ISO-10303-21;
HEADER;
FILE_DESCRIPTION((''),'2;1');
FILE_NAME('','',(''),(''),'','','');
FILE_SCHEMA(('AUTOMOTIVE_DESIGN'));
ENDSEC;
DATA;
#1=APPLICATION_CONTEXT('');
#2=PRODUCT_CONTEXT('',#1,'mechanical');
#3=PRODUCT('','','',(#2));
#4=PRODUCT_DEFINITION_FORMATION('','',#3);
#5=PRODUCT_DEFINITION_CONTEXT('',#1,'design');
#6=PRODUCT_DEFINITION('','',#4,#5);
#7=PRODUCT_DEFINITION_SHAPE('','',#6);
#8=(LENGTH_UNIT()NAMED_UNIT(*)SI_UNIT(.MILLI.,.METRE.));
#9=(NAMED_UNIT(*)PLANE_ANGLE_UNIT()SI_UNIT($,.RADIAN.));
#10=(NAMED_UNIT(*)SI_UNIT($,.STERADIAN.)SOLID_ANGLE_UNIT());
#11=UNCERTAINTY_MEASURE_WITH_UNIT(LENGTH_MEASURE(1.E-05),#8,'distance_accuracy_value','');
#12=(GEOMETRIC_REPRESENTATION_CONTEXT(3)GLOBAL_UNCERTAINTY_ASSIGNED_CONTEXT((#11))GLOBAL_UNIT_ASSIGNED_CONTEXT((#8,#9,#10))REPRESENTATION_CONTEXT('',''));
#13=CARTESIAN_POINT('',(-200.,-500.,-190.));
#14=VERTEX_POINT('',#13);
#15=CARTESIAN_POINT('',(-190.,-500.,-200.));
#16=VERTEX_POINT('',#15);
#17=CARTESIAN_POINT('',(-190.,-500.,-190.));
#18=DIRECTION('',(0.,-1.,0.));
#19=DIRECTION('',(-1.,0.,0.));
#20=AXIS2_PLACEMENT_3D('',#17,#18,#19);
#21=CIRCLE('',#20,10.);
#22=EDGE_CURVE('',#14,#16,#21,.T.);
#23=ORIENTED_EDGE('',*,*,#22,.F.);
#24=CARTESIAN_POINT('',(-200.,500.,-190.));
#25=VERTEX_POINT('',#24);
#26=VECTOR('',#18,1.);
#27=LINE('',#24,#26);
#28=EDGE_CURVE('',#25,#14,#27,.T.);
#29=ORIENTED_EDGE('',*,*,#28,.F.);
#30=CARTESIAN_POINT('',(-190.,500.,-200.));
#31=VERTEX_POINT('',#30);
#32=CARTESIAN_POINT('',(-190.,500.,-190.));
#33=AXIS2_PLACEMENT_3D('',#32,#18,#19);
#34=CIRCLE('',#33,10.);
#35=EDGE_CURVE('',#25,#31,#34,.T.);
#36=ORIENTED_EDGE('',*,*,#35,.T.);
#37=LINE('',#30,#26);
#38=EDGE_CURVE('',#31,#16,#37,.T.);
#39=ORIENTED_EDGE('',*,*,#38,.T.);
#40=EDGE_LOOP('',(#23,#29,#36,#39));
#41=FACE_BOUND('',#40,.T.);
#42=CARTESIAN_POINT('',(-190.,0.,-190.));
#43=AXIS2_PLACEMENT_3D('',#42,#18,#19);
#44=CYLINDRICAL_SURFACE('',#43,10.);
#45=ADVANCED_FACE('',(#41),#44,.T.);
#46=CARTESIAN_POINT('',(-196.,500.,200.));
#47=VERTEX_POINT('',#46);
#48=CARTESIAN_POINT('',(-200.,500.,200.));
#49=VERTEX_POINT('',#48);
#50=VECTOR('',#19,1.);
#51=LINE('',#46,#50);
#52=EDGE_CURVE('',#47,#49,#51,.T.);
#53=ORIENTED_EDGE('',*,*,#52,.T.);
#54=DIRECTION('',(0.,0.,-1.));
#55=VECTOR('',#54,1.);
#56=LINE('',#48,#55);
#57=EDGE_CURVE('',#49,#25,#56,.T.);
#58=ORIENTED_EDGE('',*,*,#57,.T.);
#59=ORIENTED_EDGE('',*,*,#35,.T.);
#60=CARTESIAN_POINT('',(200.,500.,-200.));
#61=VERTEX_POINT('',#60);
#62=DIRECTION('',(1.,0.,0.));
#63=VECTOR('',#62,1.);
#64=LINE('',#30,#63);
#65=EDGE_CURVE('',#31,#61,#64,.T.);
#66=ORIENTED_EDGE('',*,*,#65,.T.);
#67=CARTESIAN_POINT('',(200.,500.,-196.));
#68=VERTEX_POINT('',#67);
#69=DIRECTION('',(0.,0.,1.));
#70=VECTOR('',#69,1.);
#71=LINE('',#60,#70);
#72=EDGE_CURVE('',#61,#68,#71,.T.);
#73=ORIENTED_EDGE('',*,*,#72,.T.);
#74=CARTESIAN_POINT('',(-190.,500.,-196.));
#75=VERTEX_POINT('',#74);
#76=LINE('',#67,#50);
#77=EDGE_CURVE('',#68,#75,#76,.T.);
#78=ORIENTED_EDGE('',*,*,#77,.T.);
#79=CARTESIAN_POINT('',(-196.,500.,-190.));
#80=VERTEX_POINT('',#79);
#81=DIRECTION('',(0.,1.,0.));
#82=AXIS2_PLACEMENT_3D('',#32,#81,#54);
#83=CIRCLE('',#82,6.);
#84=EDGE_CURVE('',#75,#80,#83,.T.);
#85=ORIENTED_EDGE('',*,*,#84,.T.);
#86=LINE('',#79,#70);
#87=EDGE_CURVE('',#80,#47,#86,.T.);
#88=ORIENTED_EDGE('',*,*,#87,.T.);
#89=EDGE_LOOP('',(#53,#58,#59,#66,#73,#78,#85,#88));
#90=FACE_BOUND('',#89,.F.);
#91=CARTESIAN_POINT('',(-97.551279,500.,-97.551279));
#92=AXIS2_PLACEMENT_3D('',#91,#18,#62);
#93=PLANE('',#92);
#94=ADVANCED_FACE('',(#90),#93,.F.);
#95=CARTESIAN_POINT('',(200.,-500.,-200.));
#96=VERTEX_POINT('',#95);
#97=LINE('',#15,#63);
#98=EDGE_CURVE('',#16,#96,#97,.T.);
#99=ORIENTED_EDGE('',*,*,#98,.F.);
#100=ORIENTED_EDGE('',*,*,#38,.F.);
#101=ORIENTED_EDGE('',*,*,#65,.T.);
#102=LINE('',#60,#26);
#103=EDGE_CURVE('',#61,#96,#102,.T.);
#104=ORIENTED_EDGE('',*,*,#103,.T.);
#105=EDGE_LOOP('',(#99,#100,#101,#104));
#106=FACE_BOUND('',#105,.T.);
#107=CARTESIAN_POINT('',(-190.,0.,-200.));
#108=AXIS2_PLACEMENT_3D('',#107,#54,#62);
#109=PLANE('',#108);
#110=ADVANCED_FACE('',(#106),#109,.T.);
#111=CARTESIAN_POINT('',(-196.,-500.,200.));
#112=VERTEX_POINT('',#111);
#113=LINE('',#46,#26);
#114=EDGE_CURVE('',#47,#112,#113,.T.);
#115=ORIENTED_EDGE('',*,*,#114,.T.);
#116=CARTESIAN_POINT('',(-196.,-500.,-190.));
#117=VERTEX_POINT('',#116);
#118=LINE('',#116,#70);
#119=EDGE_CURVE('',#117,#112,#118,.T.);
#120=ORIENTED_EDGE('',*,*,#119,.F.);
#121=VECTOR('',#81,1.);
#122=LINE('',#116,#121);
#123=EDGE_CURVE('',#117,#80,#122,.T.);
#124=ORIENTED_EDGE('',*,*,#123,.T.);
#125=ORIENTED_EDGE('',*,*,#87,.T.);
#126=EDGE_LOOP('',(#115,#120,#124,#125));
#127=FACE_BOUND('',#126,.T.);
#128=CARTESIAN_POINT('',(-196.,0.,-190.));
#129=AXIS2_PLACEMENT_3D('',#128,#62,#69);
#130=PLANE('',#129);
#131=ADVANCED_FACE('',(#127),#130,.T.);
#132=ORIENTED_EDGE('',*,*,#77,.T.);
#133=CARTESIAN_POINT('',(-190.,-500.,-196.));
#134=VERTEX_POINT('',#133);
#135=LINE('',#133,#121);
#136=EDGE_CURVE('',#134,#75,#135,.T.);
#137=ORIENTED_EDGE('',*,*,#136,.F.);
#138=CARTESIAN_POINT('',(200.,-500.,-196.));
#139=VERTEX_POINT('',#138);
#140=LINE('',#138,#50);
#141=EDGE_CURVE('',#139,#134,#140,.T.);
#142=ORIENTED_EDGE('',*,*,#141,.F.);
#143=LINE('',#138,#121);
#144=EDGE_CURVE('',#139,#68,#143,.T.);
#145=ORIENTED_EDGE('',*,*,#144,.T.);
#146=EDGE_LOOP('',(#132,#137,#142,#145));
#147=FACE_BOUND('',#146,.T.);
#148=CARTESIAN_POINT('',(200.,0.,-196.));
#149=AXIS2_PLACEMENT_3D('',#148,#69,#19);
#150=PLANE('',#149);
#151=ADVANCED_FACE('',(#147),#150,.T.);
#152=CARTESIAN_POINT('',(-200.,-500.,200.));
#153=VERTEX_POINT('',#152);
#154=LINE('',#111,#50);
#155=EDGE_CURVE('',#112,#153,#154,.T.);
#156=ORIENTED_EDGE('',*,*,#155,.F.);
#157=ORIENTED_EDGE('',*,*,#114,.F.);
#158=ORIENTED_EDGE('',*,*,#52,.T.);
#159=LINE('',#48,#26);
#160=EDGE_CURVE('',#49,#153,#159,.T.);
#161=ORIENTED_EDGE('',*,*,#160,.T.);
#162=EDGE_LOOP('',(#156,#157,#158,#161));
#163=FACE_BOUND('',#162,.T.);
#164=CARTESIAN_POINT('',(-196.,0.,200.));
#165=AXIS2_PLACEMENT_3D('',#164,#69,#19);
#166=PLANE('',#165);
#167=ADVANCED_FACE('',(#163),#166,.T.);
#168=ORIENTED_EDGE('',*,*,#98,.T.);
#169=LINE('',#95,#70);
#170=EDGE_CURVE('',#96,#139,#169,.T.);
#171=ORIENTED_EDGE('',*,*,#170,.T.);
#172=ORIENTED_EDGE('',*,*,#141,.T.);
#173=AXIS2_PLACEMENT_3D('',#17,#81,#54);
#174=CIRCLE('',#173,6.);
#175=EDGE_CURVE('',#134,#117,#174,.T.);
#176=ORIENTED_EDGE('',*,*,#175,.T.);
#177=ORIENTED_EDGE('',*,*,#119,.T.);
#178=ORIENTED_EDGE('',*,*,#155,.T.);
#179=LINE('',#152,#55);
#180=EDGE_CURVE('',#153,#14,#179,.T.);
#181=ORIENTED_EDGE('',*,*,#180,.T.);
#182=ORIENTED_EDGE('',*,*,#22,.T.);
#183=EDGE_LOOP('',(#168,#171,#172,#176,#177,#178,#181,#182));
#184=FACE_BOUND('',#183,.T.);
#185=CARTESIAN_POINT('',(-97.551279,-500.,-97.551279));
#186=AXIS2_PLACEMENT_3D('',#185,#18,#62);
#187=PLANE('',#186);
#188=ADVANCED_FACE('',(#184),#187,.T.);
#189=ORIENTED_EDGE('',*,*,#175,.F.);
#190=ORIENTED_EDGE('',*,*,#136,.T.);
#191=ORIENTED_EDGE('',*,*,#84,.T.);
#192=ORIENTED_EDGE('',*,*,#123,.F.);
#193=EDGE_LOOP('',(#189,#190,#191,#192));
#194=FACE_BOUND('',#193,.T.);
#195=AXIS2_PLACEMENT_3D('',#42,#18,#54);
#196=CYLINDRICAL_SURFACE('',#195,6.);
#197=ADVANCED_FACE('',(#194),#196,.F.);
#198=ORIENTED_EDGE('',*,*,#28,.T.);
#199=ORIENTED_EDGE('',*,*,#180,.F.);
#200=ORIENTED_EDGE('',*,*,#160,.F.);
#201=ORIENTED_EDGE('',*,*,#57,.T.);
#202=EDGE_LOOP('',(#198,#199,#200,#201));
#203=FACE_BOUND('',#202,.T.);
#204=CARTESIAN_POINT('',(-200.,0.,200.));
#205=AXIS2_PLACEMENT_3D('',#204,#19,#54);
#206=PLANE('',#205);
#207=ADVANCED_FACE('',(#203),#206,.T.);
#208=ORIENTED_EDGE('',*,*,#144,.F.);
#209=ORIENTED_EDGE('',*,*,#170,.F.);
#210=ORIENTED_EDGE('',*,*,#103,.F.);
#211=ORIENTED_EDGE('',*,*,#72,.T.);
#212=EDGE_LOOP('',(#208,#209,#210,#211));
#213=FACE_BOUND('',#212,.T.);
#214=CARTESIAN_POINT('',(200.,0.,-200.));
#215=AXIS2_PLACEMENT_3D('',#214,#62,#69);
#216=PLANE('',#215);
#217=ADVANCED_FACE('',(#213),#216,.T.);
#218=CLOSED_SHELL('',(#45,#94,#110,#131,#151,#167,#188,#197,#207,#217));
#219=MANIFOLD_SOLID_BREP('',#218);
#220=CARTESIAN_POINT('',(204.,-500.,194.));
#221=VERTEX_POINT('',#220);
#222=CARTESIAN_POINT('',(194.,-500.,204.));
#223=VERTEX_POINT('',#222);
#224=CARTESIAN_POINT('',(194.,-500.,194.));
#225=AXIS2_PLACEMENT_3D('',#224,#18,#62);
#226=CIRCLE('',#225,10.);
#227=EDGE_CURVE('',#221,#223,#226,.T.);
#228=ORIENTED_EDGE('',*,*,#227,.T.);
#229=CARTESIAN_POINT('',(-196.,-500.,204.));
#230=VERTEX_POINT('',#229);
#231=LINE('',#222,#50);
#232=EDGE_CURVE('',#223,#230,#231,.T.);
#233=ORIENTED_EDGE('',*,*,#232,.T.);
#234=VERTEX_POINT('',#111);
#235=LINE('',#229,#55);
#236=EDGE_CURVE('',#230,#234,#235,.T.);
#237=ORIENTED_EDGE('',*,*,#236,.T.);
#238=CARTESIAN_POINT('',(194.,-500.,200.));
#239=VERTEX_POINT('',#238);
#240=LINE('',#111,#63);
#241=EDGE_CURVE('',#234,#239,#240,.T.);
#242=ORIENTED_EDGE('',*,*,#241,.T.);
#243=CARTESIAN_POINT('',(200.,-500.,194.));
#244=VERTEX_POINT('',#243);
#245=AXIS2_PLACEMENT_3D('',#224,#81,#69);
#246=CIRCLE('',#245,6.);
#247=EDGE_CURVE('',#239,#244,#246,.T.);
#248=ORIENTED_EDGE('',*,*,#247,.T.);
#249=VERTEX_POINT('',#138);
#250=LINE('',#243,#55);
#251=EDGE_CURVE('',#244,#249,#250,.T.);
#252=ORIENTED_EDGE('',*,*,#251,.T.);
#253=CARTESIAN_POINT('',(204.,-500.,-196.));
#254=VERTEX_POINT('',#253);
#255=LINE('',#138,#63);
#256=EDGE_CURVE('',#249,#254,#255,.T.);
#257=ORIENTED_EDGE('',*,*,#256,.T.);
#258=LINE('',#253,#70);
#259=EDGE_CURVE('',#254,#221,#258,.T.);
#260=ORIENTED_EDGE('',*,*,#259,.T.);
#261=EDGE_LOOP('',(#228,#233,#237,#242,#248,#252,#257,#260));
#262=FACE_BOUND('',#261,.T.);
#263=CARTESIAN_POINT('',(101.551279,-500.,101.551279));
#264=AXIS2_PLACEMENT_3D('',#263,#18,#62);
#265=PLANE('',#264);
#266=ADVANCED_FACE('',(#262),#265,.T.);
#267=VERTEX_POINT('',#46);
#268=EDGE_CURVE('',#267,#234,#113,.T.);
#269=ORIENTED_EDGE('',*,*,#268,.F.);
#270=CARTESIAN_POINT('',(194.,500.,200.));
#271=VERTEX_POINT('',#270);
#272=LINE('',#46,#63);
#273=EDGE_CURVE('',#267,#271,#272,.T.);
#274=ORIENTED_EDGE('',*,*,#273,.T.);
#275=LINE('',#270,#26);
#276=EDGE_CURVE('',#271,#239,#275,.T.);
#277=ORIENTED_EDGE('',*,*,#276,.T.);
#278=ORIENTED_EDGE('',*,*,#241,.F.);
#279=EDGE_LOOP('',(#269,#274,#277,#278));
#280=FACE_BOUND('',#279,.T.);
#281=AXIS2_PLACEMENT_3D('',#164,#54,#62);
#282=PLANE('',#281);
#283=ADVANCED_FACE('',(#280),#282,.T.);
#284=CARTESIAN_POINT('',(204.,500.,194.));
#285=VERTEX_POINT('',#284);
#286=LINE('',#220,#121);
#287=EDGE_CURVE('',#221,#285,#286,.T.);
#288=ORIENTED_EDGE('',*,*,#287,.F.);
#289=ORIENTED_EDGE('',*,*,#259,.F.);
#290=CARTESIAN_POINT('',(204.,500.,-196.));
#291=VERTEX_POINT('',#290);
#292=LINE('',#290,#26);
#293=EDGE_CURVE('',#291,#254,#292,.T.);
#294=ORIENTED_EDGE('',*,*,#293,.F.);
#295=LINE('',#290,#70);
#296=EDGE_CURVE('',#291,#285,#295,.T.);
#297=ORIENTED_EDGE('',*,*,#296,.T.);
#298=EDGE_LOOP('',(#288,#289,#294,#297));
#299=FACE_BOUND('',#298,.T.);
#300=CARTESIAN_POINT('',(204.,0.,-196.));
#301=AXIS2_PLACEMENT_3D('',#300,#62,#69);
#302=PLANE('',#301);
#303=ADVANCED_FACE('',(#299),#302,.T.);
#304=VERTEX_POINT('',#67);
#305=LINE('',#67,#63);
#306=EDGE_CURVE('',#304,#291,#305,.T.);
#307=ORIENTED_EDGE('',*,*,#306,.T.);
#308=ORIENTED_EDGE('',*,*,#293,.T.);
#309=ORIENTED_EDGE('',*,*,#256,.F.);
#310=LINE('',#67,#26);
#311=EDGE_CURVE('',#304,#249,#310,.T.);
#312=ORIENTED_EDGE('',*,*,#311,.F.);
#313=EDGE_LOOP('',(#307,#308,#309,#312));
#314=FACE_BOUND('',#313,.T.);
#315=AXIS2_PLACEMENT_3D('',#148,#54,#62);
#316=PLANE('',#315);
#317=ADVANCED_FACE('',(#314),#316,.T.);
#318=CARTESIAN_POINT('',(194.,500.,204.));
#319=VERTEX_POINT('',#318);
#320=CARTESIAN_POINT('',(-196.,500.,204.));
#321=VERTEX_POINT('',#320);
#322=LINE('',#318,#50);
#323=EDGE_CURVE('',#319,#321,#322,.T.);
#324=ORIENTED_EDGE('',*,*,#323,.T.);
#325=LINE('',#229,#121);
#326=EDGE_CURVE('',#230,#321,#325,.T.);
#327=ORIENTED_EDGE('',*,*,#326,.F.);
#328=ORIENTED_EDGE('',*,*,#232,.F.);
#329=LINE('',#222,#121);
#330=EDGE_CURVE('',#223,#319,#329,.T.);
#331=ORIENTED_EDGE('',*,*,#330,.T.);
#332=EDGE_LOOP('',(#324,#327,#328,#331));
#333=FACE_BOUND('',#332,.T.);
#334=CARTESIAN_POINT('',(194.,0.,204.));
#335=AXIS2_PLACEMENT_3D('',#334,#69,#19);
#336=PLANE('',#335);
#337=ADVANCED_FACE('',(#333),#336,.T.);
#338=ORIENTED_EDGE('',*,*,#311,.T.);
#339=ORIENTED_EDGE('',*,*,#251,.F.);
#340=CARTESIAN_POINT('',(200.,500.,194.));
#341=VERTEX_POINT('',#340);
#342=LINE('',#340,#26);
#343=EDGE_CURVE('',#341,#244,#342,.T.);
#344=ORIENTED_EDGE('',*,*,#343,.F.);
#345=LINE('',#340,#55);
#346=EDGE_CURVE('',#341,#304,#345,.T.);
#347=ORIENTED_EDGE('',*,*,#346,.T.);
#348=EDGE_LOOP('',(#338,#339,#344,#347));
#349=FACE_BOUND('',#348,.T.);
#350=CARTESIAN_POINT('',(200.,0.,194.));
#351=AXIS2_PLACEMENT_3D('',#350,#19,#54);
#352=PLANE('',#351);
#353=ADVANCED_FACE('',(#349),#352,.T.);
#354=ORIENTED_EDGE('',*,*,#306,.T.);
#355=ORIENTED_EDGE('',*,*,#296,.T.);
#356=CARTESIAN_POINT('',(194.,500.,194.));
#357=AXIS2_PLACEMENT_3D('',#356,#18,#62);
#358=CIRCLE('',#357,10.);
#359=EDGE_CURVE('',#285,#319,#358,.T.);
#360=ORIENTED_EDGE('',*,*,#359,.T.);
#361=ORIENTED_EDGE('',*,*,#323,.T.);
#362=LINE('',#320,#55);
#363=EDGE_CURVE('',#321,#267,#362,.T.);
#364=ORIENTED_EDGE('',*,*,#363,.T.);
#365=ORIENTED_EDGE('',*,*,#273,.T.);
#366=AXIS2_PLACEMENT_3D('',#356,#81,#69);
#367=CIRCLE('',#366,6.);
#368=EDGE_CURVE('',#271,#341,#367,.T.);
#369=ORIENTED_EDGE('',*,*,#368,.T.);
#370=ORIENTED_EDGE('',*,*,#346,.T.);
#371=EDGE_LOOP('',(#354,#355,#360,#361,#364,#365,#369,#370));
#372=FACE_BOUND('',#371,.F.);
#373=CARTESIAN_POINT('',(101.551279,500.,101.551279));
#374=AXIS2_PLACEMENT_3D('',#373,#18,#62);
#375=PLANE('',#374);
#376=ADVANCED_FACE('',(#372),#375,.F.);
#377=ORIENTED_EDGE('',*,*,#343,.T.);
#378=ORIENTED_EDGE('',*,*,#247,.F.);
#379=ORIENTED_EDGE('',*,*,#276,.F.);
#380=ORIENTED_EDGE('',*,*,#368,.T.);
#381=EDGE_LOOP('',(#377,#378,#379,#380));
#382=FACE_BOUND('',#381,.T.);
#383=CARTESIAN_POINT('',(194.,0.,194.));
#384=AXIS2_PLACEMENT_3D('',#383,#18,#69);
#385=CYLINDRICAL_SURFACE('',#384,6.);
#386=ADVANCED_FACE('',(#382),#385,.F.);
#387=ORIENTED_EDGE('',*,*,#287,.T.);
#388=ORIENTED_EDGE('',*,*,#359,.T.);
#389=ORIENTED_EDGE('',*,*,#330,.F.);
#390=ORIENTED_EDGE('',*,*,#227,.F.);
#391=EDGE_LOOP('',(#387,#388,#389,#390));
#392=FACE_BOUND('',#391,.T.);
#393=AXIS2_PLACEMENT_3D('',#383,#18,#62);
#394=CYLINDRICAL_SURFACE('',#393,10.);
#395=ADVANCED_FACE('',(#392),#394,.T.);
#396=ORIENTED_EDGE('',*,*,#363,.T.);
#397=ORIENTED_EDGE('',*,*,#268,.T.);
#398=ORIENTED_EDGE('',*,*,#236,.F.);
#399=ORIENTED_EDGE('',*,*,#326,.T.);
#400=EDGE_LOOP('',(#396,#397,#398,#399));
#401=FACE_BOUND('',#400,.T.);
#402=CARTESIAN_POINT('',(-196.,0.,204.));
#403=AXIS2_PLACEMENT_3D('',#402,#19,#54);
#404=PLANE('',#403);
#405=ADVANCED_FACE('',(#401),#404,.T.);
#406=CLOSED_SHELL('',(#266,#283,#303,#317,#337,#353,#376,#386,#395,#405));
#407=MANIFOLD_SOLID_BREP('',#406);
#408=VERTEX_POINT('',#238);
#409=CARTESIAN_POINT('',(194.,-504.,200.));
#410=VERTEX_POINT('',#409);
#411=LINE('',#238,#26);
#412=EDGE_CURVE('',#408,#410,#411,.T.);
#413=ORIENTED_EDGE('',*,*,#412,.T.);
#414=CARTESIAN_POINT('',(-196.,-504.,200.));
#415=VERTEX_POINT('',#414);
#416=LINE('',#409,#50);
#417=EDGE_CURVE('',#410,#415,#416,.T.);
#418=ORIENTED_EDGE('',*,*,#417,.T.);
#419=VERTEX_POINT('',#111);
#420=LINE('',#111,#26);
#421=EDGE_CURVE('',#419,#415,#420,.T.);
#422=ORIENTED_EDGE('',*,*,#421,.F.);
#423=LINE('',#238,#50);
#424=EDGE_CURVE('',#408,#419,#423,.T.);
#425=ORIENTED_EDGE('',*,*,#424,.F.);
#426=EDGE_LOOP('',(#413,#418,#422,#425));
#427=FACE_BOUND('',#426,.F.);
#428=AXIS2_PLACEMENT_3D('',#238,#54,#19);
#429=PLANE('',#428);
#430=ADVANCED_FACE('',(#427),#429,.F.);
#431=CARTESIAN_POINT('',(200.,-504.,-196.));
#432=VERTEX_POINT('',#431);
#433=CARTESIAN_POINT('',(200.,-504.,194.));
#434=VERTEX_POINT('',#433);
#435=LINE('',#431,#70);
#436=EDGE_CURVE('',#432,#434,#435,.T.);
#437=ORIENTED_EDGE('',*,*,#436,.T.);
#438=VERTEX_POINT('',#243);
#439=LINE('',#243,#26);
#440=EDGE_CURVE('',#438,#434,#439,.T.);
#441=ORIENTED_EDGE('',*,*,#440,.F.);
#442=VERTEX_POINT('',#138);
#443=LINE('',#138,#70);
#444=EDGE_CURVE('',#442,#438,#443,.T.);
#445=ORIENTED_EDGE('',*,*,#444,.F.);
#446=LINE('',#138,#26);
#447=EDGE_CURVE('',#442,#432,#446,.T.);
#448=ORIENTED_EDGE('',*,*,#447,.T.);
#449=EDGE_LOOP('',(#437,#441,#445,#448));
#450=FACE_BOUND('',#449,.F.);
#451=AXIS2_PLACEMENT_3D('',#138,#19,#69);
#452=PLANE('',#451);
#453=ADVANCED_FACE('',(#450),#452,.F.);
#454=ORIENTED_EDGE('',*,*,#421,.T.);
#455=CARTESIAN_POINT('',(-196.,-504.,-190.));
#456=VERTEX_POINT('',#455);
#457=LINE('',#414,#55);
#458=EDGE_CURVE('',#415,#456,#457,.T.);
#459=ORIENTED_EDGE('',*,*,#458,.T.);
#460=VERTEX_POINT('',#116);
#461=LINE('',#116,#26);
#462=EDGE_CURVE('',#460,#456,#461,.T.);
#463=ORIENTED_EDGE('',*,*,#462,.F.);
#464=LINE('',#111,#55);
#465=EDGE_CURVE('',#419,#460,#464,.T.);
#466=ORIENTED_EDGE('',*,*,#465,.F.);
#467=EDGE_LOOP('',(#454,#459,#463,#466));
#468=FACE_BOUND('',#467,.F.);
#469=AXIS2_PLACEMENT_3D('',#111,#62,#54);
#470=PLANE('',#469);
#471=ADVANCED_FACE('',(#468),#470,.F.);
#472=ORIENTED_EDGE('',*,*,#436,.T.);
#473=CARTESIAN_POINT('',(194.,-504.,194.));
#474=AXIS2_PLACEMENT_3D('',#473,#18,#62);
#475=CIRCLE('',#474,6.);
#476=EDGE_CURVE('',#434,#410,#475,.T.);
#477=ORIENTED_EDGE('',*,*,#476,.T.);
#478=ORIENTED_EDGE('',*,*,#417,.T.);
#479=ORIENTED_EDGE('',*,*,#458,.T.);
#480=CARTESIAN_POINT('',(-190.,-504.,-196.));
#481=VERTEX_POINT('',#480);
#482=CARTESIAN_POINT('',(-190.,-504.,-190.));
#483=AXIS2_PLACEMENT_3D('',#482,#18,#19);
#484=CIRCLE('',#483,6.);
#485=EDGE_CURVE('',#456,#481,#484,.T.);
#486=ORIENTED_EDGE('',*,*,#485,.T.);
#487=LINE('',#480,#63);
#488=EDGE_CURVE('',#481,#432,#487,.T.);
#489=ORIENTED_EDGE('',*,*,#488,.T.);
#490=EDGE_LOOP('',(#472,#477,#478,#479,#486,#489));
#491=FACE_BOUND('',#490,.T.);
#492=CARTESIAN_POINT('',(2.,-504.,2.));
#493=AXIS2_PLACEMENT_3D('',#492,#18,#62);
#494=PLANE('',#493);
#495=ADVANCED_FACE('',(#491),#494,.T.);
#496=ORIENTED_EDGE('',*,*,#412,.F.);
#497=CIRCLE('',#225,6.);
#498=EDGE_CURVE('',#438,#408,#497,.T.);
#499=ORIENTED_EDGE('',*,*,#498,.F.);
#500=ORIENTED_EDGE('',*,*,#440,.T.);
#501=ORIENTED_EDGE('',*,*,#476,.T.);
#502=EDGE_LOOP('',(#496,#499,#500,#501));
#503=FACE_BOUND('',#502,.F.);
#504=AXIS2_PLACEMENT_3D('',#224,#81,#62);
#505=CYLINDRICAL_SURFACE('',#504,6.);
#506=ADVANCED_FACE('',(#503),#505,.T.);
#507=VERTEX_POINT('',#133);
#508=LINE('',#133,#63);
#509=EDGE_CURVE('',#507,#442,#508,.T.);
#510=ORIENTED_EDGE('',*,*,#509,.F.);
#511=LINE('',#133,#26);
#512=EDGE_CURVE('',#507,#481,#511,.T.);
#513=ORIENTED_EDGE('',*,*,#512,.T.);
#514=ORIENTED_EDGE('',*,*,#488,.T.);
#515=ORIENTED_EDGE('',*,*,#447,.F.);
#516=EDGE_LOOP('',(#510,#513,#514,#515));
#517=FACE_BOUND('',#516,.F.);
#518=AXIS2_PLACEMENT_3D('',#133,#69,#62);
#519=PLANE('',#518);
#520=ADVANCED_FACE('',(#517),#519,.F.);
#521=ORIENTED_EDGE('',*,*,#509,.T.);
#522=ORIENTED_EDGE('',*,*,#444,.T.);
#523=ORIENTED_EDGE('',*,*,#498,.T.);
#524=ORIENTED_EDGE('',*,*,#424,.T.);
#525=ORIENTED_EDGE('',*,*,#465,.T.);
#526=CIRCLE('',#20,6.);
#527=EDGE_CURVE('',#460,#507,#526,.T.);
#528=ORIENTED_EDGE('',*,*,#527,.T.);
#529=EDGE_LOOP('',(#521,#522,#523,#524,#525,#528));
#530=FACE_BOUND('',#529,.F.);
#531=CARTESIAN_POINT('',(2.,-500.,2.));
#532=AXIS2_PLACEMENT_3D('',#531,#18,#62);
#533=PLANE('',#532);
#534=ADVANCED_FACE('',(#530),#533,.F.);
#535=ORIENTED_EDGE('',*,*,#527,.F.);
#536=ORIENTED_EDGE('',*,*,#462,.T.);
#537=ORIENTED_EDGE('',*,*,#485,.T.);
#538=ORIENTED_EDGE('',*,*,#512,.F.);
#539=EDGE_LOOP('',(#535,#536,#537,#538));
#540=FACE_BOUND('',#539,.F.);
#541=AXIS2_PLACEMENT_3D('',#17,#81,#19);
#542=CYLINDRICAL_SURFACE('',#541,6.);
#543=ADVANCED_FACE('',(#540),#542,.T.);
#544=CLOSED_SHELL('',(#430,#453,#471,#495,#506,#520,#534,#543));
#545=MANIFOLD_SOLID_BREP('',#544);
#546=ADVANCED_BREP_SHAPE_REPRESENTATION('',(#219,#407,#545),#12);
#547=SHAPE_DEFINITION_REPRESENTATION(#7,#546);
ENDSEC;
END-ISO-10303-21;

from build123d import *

# Parameters (mm, degrees)
F1_DEPTH = 500
F2_DEPTH = 500
F3_START = 500
F3_DEPTH = 4


with BuildPart() as f1:
    # F0 (on Front) → F1 (new body, symmetric)
    with BuildSketch(Plane.XZ):
        with BuildLine():
            Line((-196, 204), (-196, 200))
            Line((-196, 200), (194, 200))
            ThreePointArc((194, 200), (198.2426406871, 198.2426406871), (200, 194))
            Line((200, 194), (200, -196))
            Line((200, -196), (204, -196))
            Line((204, -196), (204, 194))
            ThreePointArc((204, 194), (201.0710678119, 201.0710678119), (194, 204))
            Line((194, 204), (-196, 204))
        make_face()
    extrude(amount=F1_DEPTH, both=True)


with BuildPart() as f2:
    # F0 (on Front) → F2 (new body, symmetric)
    with BuildSketch(Plane.XZ):
        with BuildLine():
            Line((-196, -190), (-196, 200))
            Line((-196, 200), (-200, 200))
            Line((-200, 200), (-200, -190))
            ThreePointArc((-200, -190), (-197.0710678119, -197.0710678119), (-190, -200))
            Line((-190, -200), (200, -200))
            Line((200, -200), (200, -196))
            Line((200, -196), (-190, -196))
            ThreePointArc((-190, -196), (-194.2426406871, -194.2426406871), (-196, -190))
        make_face()
    extrude(amount=F2_DEPTH, both=True)


with BuildPart() as f3:
    # F0 (on Front) → F3 (new body)
    with BuildSketch(Plane.XZ.offset(F3_START)):
        with BuildLine():
            Line((194, 200), (-196, 200))
            Line((-196, 200), (-196, -190))
            ThreePointArc((-196, -190), (-194.2426406871, -194.2426406871), (-190, -196))
            Line((-190, -196), (200, -196))
            Line((200, -196), (200, 194))
            ThreePointArc((200, 194), (198.2426406871, 198.2426406871), (194, 200))
        make_face()
    extrude(amount=F3_DEPTH)


solid = Compound([f1.part, f2.part, f3.part])
